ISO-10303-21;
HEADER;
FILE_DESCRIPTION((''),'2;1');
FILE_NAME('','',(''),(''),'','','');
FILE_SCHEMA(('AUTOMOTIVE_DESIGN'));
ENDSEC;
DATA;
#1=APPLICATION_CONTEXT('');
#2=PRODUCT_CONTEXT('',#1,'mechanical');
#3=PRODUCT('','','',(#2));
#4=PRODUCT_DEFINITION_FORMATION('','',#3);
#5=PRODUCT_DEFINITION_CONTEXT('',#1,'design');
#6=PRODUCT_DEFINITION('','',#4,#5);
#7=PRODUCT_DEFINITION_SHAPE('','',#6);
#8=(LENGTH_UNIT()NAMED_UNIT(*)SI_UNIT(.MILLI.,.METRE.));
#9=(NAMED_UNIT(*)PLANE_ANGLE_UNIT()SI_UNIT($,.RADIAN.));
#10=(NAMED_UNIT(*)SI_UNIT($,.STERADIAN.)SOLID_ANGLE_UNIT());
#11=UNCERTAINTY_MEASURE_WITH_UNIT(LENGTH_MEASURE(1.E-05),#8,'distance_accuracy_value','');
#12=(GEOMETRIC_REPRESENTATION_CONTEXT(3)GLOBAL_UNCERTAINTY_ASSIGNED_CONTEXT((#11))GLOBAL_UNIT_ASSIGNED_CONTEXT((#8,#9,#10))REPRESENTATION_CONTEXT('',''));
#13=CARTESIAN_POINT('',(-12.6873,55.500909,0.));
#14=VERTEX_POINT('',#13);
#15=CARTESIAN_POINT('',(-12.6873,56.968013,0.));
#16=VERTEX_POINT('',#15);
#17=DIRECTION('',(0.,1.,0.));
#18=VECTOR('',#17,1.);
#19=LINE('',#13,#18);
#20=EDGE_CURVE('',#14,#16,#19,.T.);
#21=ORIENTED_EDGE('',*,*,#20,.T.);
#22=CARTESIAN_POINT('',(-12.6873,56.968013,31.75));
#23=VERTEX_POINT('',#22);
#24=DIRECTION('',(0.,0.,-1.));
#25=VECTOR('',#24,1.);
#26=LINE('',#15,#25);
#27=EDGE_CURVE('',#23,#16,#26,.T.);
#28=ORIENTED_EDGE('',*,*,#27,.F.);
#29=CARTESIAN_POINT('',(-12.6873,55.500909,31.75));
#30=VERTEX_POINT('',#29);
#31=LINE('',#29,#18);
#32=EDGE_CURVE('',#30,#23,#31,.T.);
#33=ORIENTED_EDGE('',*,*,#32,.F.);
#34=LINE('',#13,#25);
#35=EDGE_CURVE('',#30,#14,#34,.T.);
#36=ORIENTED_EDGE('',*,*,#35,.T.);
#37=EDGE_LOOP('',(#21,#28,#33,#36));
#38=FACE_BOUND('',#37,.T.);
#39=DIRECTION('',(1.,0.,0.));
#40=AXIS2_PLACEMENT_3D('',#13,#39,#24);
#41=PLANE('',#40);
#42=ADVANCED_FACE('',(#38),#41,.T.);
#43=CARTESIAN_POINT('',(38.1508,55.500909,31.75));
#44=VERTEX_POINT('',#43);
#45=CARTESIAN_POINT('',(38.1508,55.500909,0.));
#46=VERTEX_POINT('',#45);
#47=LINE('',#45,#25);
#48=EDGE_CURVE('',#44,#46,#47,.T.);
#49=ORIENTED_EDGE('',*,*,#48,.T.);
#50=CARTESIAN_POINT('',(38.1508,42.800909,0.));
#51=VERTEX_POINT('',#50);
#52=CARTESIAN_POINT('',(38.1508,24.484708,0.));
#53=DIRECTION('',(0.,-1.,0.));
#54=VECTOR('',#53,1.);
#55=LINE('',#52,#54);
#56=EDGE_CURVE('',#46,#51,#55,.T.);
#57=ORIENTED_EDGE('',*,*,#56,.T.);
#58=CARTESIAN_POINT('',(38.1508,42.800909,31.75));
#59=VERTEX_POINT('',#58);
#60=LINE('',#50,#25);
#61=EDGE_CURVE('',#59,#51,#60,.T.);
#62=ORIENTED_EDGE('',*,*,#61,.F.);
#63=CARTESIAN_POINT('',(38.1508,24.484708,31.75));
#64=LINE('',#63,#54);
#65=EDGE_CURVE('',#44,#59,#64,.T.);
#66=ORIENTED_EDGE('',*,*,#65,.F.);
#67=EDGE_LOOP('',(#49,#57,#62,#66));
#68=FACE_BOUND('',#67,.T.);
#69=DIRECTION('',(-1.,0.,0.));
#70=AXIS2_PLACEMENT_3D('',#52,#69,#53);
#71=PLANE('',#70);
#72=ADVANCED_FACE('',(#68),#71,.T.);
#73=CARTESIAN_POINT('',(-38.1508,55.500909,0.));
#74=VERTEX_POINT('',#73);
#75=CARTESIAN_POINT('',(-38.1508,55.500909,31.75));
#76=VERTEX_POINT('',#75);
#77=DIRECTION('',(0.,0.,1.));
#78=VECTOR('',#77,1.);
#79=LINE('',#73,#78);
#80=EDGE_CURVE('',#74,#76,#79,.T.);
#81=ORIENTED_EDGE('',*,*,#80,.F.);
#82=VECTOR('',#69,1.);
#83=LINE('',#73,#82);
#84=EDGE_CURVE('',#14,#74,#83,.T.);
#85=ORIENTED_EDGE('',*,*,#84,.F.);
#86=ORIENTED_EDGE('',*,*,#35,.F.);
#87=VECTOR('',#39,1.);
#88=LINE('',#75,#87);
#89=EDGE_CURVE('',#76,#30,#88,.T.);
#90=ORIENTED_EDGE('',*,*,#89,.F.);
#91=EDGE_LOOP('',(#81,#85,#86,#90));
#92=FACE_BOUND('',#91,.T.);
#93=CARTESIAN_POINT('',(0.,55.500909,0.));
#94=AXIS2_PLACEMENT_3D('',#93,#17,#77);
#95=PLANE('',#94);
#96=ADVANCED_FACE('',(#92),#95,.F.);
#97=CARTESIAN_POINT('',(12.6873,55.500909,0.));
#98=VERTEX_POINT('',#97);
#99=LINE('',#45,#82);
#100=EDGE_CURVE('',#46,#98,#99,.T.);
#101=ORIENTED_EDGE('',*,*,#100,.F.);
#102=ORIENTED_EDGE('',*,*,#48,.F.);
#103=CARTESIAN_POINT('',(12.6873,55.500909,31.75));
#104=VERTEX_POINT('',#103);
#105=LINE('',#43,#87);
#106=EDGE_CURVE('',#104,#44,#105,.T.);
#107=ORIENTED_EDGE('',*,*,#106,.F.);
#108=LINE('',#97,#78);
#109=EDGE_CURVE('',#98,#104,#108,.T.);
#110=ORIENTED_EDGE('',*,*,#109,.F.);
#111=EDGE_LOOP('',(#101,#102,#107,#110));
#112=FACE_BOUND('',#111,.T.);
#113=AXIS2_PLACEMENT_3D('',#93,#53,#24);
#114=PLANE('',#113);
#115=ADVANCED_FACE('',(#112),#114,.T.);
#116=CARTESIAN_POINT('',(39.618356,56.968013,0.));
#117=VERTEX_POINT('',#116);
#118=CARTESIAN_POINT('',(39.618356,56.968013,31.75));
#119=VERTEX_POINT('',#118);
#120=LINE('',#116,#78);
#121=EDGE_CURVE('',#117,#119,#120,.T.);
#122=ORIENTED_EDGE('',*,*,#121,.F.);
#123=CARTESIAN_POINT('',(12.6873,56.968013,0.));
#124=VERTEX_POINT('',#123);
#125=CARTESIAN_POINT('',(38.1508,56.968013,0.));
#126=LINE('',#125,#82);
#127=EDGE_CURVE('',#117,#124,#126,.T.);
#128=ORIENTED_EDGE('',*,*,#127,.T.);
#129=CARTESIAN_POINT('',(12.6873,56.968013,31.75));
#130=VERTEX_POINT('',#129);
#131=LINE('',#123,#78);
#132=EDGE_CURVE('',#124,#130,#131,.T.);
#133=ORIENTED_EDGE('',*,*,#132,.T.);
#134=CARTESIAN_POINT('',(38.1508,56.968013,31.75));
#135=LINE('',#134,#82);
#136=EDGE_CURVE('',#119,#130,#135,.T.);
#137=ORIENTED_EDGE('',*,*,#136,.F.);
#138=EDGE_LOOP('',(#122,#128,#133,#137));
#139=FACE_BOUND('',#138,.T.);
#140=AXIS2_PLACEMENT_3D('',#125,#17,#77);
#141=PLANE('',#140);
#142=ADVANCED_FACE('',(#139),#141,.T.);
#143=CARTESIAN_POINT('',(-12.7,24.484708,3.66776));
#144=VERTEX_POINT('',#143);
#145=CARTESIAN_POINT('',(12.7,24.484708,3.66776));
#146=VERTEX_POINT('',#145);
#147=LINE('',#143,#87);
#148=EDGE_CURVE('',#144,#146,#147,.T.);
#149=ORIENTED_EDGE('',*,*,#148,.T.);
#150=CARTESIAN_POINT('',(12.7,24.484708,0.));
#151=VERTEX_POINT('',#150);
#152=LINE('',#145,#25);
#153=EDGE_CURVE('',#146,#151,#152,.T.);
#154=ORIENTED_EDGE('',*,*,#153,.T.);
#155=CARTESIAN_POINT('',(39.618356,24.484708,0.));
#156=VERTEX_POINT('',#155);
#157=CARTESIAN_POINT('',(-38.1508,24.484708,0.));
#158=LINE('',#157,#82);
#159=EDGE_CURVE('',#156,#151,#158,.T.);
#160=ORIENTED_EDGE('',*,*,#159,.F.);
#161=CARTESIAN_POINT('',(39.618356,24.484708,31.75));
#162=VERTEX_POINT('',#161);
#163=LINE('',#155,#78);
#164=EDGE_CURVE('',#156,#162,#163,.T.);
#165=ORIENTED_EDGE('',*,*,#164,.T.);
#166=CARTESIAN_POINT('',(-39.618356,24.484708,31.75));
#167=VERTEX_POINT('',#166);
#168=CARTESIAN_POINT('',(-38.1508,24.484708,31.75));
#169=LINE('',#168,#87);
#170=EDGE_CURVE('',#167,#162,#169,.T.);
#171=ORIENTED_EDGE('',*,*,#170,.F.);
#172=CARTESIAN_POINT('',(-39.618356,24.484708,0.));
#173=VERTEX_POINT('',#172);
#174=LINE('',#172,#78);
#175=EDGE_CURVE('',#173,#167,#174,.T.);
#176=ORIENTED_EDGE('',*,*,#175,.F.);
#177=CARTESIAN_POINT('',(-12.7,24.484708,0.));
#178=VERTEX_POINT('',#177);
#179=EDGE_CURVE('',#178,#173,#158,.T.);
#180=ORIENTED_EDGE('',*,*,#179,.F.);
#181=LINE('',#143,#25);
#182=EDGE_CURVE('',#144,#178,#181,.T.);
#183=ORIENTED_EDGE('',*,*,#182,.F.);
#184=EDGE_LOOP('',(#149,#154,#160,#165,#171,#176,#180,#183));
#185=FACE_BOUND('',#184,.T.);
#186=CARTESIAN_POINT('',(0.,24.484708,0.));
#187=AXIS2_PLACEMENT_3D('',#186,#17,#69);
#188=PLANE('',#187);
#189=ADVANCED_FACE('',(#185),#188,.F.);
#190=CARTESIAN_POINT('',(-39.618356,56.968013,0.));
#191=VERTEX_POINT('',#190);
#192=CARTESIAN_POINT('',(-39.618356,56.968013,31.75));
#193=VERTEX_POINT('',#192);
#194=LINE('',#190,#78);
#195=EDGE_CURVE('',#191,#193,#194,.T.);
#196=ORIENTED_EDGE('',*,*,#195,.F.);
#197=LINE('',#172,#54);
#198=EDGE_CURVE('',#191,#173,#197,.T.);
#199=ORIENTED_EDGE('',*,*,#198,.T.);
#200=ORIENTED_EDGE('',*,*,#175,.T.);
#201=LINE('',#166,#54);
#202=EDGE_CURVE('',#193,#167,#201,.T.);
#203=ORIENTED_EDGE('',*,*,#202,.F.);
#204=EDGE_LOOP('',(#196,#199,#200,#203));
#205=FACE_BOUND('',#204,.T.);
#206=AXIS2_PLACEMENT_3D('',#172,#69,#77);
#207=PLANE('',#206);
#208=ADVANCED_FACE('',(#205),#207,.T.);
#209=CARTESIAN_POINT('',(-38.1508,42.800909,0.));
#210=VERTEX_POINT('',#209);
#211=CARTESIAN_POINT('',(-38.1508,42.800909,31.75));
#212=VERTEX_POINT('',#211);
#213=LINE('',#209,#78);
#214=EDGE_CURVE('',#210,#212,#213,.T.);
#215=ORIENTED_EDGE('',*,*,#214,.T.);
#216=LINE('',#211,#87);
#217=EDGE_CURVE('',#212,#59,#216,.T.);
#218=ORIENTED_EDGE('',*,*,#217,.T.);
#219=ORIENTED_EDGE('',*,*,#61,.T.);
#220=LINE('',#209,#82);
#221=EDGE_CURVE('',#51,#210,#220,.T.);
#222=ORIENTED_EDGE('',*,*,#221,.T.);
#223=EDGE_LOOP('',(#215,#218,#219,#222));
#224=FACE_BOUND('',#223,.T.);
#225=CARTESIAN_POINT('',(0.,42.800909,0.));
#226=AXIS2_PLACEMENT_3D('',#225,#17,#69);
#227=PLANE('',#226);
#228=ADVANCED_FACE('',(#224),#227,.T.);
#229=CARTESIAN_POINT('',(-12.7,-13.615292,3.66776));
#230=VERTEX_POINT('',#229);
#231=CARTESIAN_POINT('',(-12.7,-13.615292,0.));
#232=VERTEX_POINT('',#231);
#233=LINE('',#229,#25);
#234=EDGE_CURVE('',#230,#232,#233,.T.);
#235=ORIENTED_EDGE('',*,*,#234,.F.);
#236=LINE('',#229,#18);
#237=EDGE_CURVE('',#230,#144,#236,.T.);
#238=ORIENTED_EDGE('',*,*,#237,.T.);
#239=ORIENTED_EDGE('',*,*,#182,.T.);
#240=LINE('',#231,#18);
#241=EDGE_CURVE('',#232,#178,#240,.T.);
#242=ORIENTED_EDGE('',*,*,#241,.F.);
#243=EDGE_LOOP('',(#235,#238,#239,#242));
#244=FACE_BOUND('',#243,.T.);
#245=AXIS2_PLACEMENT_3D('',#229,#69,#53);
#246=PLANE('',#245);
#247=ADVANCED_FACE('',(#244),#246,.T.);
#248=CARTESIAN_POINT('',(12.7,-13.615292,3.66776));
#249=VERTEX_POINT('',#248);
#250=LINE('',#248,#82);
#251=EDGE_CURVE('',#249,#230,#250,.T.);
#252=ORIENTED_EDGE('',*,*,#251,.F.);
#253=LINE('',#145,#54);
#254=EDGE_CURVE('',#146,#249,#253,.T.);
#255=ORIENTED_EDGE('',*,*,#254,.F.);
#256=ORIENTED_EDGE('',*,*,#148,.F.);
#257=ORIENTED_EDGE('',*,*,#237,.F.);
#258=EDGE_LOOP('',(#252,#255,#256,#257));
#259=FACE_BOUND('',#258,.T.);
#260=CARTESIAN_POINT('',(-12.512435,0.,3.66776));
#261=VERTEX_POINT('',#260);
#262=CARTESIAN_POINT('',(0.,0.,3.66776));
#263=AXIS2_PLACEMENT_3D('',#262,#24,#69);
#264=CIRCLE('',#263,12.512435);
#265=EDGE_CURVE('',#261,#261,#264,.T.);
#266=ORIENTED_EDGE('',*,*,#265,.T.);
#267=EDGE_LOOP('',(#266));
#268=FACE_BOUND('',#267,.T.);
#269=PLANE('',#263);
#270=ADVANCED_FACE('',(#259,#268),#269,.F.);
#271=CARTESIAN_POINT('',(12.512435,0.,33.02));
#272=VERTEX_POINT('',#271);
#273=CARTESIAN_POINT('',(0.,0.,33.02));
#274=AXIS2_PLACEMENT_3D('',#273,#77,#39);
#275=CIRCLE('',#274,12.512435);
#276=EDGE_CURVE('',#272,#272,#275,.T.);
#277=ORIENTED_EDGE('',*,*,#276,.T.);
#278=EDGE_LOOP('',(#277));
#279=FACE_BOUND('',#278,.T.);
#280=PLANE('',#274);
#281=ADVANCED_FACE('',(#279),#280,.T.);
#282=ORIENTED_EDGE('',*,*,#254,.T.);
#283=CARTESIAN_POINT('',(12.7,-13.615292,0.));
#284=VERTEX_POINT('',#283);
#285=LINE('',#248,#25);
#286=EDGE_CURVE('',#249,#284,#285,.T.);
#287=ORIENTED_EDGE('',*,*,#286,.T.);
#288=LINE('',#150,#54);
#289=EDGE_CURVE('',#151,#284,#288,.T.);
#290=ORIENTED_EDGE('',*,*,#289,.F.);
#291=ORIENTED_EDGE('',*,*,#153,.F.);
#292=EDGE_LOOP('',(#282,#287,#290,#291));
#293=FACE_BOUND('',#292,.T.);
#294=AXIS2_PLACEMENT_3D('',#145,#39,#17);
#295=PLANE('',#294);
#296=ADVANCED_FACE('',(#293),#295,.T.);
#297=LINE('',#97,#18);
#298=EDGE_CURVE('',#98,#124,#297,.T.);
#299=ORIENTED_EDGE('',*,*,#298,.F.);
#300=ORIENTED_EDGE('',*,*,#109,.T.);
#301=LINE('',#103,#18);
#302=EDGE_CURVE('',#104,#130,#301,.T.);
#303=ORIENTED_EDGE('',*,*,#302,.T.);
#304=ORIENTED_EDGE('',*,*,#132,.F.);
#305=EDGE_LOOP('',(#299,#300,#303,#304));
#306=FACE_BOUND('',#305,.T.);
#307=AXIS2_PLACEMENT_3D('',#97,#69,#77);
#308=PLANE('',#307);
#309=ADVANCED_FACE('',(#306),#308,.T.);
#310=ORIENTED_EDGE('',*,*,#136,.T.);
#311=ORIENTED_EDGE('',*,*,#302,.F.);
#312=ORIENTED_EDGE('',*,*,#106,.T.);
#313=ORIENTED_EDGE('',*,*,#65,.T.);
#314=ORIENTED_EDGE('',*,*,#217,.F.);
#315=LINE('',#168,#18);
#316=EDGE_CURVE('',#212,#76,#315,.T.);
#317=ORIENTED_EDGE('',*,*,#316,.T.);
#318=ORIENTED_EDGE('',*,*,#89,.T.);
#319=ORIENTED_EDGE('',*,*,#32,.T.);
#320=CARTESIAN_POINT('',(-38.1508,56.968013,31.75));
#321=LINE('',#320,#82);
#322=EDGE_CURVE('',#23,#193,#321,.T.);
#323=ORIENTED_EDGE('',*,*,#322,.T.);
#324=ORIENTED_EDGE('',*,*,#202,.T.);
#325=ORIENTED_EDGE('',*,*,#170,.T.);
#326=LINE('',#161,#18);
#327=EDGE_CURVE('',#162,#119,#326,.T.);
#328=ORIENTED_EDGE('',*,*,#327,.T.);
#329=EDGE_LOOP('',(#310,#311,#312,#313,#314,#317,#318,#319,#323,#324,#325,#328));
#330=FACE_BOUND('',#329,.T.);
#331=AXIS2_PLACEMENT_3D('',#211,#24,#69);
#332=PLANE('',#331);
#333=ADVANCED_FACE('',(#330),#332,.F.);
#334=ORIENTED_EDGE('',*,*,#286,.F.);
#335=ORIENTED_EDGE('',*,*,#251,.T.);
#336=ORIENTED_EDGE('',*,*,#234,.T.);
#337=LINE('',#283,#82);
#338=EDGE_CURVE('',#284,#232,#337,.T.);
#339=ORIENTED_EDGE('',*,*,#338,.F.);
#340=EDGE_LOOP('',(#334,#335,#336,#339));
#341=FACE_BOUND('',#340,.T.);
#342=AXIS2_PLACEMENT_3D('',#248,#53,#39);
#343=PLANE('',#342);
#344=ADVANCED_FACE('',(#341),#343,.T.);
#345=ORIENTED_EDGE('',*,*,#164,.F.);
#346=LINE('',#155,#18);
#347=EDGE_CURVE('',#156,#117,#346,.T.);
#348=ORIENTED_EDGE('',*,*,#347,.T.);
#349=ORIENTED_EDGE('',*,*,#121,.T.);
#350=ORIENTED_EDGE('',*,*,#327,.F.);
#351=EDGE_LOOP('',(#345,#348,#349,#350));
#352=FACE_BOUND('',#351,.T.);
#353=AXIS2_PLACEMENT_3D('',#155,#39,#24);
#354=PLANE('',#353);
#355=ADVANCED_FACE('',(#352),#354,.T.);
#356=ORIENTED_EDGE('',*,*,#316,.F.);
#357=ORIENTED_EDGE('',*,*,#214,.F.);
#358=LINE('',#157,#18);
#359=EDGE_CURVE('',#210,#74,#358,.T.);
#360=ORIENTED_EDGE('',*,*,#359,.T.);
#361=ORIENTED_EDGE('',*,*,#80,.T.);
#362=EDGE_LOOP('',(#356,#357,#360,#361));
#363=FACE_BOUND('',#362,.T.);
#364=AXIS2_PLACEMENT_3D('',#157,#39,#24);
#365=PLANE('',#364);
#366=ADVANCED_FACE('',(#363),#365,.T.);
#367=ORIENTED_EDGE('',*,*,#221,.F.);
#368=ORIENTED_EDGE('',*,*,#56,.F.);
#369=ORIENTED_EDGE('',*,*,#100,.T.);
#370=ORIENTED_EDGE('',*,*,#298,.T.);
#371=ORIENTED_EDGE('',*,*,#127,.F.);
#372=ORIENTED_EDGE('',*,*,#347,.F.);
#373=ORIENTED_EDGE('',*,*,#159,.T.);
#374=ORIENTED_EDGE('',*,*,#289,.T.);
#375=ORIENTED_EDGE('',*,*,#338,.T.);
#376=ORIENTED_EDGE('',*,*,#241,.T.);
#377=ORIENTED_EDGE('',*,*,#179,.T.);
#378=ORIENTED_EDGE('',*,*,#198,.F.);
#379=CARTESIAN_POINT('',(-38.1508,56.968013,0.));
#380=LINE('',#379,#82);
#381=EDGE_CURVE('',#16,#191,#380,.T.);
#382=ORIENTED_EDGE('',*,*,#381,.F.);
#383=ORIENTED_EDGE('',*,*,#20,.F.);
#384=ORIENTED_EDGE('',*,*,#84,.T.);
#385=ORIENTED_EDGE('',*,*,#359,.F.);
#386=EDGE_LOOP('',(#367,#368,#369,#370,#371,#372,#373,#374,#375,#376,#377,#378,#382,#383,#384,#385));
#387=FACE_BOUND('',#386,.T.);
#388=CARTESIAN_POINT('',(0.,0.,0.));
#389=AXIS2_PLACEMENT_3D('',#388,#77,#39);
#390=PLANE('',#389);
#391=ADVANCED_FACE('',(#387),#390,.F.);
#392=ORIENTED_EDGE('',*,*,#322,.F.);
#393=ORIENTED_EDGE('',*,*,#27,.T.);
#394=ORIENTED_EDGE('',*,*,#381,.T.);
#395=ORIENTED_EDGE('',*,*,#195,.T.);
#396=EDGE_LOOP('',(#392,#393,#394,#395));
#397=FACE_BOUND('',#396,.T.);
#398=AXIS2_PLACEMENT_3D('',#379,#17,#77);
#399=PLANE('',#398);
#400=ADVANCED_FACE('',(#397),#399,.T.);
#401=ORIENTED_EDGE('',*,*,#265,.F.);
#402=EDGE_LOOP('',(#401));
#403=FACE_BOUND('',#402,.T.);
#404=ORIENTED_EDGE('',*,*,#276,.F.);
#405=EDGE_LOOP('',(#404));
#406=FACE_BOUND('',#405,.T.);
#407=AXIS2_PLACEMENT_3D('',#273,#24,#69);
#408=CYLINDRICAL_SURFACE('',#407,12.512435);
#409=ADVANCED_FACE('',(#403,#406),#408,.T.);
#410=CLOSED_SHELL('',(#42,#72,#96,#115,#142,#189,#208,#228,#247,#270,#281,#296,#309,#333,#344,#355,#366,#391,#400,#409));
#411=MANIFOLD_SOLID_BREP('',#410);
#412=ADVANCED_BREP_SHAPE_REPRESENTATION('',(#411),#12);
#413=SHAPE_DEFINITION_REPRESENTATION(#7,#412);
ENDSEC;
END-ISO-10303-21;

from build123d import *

# Parameters (mm, degrees)
SKETCH1_R           = 12.512434662
BOSS_EXTRUDE1_DEPTH = 33.02
SKETCH9_W           = 25.4
SKETCH9_H           = 38.1
BOSS_EXTRUDE2_DEPTH = 3.66776
SKETCH10_W          = 76.3016
SKETCH10_H          = 31.75
BOSS_EXTRUDE3_DEPTH = 18.316200479
SKETCH13_W          = 1.467555556
SKETCH13_H          = 32.483304479
BOSS_EXTRUDE4_DEPTH = 31.75
SKETCH14_W          = 25.4635
SKETCH14_H          = 31.75
BOSS_EXTRUDE5_DEPTH = 1.467104


with BuildPart() as part:
    # Sketch1 → Boss-Extrude1 (new body)
    with BuildSketch(Plane.XY):
        Circle(SKETCH1_R)
    extrude(amount=BOSS_EXTRUDE1_DEPTH)

    # Sketch9 → Boss-Extrude2 (add)
    with BuildSketch(Plane(origin=(0, 0, 0), x_dir=(-1, 0, 0), z_dir=(0, 0, -1))):
        with Locations((0, 5.434708389)):
            Rectangle(SKETCH9_W, SKETCH9_H)
    extrude(amount=-BOSS_EXTRUDE2_DEPTH)

    # Sketch10 → Boss-Extrude3 (add)
    with BuildSketch(Plane(origin=(0, 24.484708389, 0), x_dir=(1, 0, 0), z_dir=(0, 1, 0))):
        with Locations((0, -15.875)):
            Rectangle(SKETCH10_W, SKETCH10_H)
    extrude(amount=BOSS_EXTRUDE3_DEPTH)

    # Sketch13 → Boss-Extrude4 (add)
    with BuildSketch(Plane.XY.offset(31.75)):
        with Locations((-38.884577778, 40.726360629)):
            Rectangle(SKETCH13_W, SKETCH13_H)
        with Locations((38.884577778, 40.726360629)):
            Rectangle(SKETCH13_W, SKETCH13_H)
    extrude(amount=-BOSS_EXTRUDE4_DEPTH)

    # Sketch14 → Boss-Extrude5 (add)
    with BuildSketch(Plane(origin=(0, 56.968012868, 0), x_dir=(1, 0, 0), z_dir=(0, 1, 0))):
        with Locations((-25.41905, -15.875)):
            Rectangle(SKETCH14_W, SKETCH14_H)
        with Locations((25.41905, -15.875)):
            Rectangle(SKETCH14_W, SKETCH14_H)
    extrude(amount=-BOSS_EXTRUDE5_DEPTH)


solid = part.part
